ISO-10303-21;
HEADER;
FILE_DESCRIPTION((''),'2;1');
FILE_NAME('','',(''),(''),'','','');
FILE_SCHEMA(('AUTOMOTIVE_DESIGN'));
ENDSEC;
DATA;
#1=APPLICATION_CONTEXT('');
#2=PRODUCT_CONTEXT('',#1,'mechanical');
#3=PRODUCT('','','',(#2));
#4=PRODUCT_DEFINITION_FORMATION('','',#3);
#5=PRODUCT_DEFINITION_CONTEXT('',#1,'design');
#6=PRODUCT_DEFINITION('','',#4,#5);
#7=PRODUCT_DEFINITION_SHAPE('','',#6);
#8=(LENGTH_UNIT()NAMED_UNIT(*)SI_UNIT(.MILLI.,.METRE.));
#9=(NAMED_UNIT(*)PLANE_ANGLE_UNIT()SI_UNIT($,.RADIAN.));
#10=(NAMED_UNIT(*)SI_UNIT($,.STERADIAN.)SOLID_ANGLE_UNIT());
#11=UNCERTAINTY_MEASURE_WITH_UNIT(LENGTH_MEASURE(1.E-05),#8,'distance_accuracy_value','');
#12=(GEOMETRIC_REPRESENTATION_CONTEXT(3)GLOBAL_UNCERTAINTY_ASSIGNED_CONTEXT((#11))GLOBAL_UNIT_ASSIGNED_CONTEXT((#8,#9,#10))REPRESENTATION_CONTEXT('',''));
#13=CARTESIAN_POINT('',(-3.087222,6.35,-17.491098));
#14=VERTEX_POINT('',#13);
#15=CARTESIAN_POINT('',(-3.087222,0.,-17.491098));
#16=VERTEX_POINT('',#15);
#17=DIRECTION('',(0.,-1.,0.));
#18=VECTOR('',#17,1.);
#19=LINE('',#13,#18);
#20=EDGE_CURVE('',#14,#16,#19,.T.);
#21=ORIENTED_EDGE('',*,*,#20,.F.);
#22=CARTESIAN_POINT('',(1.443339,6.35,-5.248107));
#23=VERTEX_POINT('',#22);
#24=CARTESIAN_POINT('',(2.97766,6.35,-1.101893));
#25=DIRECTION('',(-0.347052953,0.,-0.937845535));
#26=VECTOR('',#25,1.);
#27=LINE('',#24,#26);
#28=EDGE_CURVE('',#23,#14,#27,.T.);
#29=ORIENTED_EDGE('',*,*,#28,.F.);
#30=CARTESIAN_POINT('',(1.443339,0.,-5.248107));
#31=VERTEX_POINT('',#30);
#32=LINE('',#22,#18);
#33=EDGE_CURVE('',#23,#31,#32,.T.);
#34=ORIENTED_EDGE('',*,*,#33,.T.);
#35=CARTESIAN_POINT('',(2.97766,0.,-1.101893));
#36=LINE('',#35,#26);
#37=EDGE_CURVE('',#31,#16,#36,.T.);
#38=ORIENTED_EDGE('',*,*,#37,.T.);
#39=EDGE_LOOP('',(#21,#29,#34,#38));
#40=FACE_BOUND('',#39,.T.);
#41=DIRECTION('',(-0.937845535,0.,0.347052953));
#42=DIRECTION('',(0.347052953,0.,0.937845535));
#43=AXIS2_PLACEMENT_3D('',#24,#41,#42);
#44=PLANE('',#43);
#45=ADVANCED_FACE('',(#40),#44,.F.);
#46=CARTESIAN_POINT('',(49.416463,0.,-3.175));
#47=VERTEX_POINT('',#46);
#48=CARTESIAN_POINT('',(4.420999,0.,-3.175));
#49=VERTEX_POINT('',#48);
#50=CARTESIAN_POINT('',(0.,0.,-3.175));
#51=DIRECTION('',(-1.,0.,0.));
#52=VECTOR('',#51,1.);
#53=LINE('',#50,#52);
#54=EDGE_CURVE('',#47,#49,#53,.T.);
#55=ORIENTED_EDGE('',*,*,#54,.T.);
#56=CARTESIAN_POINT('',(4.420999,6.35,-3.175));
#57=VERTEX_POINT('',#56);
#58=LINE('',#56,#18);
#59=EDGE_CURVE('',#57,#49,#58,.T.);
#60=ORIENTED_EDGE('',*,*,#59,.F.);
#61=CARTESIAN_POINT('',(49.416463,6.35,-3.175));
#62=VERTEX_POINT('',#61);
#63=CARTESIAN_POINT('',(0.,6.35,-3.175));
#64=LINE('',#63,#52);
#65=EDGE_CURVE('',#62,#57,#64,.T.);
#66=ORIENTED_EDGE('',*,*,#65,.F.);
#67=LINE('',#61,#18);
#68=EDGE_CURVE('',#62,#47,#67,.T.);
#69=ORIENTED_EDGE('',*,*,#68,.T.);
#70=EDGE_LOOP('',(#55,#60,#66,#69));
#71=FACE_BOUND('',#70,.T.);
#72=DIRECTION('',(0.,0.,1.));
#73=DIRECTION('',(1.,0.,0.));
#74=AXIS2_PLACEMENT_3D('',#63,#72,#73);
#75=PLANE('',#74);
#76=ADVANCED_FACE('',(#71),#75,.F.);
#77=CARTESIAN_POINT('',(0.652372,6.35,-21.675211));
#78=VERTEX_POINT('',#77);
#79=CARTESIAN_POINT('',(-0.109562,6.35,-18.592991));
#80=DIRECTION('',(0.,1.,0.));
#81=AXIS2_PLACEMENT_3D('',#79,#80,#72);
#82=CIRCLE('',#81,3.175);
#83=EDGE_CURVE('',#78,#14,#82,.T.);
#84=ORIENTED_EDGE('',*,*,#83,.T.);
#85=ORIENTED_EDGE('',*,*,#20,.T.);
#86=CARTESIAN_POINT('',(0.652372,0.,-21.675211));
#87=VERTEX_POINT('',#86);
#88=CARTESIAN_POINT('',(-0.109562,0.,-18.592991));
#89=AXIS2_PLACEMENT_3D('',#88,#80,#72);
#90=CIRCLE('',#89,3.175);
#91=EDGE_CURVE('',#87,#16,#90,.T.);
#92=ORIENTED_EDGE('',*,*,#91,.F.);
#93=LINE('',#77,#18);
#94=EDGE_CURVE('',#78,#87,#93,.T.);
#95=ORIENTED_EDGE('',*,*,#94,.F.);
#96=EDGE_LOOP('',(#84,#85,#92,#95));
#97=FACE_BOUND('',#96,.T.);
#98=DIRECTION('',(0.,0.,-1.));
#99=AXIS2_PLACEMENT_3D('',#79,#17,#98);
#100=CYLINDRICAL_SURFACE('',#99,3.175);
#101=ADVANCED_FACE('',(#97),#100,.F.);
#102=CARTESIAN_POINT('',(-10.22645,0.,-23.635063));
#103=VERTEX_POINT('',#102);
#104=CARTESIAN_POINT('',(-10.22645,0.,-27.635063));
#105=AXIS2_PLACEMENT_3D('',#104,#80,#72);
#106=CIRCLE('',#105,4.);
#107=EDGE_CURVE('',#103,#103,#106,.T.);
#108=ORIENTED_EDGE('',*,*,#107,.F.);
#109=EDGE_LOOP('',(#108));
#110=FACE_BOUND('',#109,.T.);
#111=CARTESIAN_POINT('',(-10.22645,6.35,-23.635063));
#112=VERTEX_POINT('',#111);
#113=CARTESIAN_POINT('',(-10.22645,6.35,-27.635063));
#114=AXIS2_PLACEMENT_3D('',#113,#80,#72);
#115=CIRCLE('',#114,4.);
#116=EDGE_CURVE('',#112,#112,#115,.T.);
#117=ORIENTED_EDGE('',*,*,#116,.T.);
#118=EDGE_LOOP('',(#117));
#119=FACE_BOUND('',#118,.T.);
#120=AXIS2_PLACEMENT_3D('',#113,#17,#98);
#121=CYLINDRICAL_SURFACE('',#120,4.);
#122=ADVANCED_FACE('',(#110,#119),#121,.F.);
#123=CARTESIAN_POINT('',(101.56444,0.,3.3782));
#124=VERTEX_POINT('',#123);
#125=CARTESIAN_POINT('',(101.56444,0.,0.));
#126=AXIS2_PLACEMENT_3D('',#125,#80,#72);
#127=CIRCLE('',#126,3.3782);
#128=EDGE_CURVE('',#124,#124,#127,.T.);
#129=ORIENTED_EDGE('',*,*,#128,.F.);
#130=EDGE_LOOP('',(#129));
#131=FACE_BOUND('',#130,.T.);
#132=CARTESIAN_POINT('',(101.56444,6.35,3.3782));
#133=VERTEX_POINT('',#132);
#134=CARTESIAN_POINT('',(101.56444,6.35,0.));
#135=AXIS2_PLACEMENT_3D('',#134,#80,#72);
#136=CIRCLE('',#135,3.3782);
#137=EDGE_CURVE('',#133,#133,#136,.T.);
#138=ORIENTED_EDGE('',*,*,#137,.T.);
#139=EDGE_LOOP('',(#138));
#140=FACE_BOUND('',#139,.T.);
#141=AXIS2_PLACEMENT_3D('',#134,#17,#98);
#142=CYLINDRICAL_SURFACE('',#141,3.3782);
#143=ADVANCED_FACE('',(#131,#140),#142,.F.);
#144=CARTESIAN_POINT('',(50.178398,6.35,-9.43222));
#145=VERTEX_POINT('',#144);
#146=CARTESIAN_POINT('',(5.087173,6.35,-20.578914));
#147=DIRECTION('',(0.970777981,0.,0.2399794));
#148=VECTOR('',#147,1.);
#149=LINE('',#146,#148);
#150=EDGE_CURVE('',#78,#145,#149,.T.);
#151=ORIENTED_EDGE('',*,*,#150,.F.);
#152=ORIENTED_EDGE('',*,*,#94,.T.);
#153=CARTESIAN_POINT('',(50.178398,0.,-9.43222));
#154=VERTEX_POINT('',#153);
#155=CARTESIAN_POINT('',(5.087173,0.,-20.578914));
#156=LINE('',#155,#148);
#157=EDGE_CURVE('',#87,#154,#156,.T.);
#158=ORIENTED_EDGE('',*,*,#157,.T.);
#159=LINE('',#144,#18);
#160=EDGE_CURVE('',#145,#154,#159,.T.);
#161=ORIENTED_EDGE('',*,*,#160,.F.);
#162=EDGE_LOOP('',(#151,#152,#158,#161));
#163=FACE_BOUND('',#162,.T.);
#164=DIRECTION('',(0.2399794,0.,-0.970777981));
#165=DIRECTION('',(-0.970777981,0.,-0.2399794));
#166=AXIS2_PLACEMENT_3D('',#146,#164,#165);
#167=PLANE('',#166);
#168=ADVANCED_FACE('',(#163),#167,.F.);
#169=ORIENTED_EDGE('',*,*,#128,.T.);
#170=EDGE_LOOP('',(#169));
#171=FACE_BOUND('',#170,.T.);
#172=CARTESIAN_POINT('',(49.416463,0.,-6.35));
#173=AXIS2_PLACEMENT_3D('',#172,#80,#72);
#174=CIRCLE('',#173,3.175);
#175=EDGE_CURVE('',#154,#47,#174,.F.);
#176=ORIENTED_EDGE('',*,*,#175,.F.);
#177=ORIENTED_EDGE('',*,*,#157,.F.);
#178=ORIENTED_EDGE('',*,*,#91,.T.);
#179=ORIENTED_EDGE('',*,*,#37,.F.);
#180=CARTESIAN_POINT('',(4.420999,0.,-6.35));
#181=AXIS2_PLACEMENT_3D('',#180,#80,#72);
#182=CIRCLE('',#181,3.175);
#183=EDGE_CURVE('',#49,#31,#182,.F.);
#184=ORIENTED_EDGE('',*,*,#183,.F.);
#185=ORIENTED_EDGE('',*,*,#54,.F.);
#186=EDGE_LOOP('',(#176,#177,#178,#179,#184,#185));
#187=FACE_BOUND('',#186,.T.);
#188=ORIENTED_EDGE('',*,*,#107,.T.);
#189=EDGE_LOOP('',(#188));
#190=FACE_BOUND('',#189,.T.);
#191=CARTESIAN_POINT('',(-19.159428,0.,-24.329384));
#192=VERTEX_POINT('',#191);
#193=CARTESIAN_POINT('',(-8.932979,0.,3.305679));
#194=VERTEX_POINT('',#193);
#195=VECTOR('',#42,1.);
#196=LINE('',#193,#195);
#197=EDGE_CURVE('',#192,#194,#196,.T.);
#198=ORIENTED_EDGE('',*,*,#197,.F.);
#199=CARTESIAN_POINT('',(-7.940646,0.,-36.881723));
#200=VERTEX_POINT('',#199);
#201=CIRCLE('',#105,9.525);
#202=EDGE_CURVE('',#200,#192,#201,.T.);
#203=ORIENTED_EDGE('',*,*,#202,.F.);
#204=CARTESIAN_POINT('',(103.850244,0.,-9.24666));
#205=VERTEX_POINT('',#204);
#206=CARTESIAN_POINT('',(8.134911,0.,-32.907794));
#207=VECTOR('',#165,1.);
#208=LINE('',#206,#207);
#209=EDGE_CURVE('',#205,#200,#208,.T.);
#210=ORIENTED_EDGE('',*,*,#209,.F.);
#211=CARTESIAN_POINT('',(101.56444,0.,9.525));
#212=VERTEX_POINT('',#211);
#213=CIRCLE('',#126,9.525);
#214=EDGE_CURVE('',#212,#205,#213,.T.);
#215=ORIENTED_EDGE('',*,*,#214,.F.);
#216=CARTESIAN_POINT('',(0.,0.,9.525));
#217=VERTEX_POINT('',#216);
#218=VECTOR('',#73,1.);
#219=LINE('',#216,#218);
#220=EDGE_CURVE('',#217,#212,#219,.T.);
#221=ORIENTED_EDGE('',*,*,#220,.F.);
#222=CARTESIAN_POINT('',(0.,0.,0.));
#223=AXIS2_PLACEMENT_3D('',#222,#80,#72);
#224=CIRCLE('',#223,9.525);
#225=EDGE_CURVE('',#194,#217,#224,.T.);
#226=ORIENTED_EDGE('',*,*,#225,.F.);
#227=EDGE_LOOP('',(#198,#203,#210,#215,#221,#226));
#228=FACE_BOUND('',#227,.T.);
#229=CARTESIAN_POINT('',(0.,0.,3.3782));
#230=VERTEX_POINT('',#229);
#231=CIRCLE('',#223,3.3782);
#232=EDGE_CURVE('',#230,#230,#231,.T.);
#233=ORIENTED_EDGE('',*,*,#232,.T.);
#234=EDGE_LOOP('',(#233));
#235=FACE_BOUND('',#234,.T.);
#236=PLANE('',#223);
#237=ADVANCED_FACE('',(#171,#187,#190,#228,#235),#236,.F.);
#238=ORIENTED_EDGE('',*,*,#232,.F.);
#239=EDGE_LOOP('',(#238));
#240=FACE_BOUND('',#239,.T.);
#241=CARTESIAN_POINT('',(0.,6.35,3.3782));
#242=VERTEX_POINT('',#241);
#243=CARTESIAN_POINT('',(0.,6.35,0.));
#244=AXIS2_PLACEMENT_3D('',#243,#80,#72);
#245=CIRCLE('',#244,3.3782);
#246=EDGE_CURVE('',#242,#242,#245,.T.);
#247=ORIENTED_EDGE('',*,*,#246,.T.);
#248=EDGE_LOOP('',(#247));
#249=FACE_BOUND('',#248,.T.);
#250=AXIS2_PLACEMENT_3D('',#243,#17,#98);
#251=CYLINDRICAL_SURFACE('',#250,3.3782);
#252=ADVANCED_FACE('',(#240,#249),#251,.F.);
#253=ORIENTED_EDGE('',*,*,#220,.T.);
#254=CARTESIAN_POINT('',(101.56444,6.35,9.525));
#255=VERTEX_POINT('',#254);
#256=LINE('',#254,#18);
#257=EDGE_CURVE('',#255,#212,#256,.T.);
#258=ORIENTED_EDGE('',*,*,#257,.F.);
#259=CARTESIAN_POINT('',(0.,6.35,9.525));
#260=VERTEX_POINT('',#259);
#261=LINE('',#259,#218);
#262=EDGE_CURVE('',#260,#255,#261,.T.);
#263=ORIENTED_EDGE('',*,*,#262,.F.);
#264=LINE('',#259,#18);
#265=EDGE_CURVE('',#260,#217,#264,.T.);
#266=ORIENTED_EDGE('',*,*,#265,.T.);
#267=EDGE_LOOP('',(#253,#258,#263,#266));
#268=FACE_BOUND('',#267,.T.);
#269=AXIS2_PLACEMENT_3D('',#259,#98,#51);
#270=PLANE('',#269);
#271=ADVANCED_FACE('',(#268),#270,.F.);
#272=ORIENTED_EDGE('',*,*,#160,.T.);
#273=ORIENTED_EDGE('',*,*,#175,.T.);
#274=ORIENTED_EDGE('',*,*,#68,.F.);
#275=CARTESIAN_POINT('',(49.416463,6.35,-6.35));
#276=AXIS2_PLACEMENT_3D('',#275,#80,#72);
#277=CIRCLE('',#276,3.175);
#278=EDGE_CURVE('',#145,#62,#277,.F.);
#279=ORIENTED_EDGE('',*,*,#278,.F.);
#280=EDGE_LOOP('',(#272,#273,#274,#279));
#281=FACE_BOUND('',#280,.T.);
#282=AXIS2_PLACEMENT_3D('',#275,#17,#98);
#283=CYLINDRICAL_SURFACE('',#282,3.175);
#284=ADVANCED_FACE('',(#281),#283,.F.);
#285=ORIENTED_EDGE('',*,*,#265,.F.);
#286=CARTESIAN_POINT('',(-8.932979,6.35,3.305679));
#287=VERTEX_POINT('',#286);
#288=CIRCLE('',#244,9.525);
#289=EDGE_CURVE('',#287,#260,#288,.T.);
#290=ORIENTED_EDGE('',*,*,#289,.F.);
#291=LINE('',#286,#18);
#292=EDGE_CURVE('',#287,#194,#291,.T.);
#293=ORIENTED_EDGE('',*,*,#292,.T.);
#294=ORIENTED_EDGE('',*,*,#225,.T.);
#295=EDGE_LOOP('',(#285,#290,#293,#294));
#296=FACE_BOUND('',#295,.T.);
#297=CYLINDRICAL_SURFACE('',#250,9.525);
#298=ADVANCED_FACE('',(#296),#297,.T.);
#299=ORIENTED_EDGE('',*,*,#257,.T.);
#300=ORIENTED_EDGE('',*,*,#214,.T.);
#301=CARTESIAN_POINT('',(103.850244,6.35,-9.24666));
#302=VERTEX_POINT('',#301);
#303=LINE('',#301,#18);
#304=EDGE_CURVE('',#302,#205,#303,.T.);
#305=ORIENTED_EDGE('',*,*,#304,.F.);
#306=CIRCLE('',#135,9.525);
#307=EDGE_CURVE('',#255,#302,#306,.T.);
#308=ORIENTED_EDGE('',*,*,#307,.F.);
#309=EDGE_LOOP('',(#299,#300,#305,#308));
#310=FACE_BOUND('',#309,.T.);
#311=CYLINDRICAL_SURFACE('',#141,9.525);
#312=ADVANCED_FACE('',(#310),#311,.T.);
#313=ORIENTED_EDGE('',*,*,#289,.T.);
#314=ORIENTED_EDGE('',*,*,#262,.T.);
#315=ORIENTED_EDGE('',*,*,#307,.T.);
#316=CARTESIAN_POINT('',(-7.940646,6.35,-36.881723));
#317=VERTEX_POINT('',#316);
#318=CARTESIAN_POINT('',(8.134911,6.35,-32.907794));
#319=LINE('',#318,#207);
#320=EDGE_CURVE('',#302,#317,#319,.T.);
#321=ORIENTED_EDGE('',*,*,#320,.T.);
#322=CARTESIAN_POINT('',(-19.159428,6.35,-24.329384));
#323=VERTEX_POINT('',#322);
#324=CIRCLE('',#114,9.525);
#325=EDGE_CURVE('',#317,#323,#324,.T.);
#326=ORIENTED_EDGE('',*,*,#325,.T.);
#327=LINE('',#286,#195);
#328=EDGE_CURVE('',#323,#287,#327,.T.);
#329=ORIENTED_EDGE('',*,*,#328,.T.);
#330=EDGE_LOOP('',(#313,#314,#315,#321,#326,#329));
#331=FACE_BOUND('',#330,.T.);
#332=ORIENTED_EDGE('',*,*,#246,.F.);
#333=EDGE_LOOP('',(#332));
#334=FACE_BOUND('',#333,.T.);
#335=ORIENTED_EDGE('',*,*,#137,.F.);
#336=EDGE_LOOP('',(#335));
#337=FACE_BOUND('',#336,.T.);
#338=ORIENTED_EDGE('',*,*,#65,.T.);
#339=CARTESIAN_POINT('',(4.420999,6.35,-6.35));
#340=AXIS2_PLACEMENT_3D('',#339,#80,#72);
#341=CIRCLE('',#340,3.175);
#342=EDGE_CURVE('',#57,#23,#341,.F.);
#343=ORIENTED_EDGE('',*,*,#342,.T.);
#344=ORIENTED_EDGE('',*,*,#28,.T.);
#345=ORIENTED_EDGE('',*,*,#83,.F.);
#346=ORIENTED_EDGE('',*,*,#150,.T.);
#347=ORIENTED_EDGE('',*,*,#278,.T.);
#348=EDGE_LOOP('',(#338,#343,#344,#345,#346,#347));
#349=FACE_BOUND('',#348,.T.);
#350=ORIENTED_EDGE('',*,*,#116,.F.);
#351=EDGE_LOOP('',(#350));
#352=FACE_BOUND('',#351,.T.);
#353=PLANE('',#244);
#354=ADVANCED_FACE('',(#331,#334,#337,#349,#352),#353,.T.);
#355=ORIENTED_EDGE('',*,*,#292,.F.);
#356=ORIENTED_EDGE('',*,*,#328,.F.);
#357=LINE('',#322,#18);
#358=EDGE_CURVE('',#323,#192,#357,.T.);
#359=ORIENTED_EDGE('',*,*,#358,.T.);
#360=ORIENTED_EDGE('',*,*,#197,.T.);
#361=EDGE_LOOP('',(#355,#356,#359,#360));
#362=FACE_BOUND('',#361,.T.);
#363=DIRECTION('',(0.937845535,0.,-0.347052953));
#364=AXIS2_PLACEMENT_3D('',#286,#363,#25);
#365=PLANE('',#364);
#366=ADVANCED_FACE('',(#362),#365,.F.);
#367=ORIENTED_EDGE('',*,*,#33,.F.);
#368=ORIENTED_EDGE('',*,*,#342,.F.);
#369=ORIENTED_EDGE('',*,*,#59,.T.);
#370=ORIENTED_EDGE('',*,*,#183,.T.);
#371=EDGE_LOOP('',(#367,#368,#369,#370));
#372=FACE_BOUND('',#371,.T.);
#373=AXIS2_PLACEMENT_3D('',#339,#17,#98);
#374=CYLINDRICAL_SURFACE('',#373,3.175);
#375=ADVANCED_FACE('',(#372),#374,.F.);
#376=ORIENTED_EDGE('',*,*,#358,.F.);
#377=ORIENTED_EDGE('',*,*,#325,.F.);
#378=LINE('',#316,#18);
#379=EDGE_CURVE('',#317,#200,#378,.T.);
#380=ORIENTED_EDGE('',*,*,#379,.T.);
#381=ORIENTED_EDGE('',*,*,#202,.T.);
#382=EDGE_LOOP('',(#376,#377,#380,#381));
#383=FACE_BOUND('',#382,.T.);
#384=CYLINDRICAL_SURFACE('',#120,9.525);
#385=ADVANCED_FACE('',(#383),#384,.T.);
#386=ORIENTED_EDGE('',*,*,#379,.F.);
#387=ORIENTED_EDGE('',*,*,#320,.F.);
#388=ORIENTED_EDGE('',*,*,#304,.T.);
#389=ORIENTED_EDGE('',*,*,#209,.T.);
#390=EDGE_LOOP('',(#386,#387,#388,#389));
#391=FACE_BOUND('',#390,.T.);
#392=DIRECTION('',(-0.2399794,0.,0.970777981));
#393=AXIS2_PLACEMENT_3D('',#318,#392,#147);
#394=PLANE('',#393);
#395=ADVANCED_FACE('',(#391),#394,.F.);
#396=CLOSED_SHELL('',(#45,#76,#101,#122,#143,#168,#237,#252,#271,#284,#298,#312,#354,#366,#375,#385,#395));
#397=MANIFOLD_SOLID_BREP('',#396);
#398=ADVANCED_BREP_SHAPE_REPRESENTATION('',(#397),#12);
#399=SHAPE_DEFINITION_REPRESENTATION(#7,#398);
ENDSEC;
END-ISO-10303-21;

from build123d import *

# Parameters (mm, degrees)
SKETCH1_R           = 3.3782
SKETCH1_R_2         = 9.525
SKETCH1_R_3         = 4
BOSS_EXTRUDE2_DEPTH = 6.35


with BuildPart() as part:
    # Sketch1 → Boss-Extrude2 (new body)
    # profile 1 of 4: a face of its own
    with BuildSketch(Plane(origin=(0, 0, 0), x_dir=(1, 0, 0), z_dir=(0, 1, 0))):
        with BuildLine():
            ThreePointArc((-0.701449718, 27.635062977), (-8.547313496, 18.259236264), (-19.159429046, 24.329385234))
            Line((-19.159429046, 24.329385234), (-8.932978817, -3.305679122))
            ThreePointArc((-8.932978817, -3.305679122), (-7.856533502, 5.385211819), (-0.13896483, 9.523986234))
            Line((-0.13896483, 9.523986234), (-3.087221692, 17.491097626))
            ThreePointArc((-3.087221692, 17.491097626), (-2.476851738, 20.708780169), (0.652372477, 21.67521084))
            Line((0.652372477, 21.67521084), (50.178397804, 9.432220088))
            ThreePointArc((50.178397804, 9.432220088), (52.568182882, 5.966218669), (49.41646321, 3.175))
            Line((49.41646321, 3.175), (8.980256121, 3.175))
            ThreePointArc((8.980256121, 3.175), (9.387826281, 1.610696347), (9.525, 0))
            ThreePointArc((9.525, 0), (6.735192091, -6.735192091), (0, -9.525))
            Line((0, -9.525), (101.56444, -9.525))
            ThreePointArc((101.56444, -9.525), (92.109281021, 1.151344291), (103.850244371, 9.24666012))
            Line((103.850244371, 9.24666012), (-7.94064525, 36.881723073))
            ThreePointArc((-7.94064525, 36.881723073), (-2.7265193, 33.506746613), (-0.701449718, 27.635062977))
        make_face()
    # profile 2 of 4: a face of its own
    with BuildSketch(Plane(origin=(0, 0, 0), x_dir=(1, 0, 0), z_dir=(0, 1, 0))):
        with BuildLine():
            ThreePointArc((-0.13896483, 9.523986234), (-7.856533502, 5.385211819), (-8.932978817, -3.305679122))
            ThreePointArc((-8.932978817, -3.305679122), (-5.442381435, -7.817039678), (0, -9.525))
            ThreePointArc((0, -9.525), (6.735192091, -6.735192091), (9.525, 0))
            ThreePointArc((9.525, 0), (9.387826281, 1.610696347), (8.980256121, 3.175))
            Line((8.980256121, 3.175), (4.420998548, 3.175))
            ThreePointArc((4.420998548, 3.175), (2.60687144, 3.744320082), (1.443338974, 5.248106875))
            Line((1.443338974, 5.248106875), (-0.13896483, 9.523986234))
        make_face()
        with Locations(Location((0, 0, 0), (0, 0, 270))):
            Circle(SKETCH1_R, mode=Mode.SUBTRACT)
    # profile 3 of 4: a face of its own
    with BuildSketch(Plane(origin=(0, 0, 0), x_dir=(1, 0, 0), z_dir=(0, 1, 0))):
        with Locations((101.56444, 0)):
            Circle(SKETCH1_R_2)
        with Locations(Location((101.56444, 0, 0), (0, 0, 270))):
            Circle(SKETCH1_R, mode=Mode.SUBTRACT)
    # profile 4 of 4: a face of its own
    with BuildSketch(Plane(origin=(0, 0, 0), x_dir=(1, 0, 0), z_dir=(0, 1, 0))):
        with Locations((-10.226449718, 27.635062977)):
            Circle(SKETCH1_R_2)
        with Locations(Location((-10.226449718, 27.635062977, 0), (0, 0, 270))):
            Circle(SKETCH1_R_3, mode=Mode.SUBTRACT)
    extrude(amount=BOSS_EXTRUDE2_DEPTH)


solid = part.part
